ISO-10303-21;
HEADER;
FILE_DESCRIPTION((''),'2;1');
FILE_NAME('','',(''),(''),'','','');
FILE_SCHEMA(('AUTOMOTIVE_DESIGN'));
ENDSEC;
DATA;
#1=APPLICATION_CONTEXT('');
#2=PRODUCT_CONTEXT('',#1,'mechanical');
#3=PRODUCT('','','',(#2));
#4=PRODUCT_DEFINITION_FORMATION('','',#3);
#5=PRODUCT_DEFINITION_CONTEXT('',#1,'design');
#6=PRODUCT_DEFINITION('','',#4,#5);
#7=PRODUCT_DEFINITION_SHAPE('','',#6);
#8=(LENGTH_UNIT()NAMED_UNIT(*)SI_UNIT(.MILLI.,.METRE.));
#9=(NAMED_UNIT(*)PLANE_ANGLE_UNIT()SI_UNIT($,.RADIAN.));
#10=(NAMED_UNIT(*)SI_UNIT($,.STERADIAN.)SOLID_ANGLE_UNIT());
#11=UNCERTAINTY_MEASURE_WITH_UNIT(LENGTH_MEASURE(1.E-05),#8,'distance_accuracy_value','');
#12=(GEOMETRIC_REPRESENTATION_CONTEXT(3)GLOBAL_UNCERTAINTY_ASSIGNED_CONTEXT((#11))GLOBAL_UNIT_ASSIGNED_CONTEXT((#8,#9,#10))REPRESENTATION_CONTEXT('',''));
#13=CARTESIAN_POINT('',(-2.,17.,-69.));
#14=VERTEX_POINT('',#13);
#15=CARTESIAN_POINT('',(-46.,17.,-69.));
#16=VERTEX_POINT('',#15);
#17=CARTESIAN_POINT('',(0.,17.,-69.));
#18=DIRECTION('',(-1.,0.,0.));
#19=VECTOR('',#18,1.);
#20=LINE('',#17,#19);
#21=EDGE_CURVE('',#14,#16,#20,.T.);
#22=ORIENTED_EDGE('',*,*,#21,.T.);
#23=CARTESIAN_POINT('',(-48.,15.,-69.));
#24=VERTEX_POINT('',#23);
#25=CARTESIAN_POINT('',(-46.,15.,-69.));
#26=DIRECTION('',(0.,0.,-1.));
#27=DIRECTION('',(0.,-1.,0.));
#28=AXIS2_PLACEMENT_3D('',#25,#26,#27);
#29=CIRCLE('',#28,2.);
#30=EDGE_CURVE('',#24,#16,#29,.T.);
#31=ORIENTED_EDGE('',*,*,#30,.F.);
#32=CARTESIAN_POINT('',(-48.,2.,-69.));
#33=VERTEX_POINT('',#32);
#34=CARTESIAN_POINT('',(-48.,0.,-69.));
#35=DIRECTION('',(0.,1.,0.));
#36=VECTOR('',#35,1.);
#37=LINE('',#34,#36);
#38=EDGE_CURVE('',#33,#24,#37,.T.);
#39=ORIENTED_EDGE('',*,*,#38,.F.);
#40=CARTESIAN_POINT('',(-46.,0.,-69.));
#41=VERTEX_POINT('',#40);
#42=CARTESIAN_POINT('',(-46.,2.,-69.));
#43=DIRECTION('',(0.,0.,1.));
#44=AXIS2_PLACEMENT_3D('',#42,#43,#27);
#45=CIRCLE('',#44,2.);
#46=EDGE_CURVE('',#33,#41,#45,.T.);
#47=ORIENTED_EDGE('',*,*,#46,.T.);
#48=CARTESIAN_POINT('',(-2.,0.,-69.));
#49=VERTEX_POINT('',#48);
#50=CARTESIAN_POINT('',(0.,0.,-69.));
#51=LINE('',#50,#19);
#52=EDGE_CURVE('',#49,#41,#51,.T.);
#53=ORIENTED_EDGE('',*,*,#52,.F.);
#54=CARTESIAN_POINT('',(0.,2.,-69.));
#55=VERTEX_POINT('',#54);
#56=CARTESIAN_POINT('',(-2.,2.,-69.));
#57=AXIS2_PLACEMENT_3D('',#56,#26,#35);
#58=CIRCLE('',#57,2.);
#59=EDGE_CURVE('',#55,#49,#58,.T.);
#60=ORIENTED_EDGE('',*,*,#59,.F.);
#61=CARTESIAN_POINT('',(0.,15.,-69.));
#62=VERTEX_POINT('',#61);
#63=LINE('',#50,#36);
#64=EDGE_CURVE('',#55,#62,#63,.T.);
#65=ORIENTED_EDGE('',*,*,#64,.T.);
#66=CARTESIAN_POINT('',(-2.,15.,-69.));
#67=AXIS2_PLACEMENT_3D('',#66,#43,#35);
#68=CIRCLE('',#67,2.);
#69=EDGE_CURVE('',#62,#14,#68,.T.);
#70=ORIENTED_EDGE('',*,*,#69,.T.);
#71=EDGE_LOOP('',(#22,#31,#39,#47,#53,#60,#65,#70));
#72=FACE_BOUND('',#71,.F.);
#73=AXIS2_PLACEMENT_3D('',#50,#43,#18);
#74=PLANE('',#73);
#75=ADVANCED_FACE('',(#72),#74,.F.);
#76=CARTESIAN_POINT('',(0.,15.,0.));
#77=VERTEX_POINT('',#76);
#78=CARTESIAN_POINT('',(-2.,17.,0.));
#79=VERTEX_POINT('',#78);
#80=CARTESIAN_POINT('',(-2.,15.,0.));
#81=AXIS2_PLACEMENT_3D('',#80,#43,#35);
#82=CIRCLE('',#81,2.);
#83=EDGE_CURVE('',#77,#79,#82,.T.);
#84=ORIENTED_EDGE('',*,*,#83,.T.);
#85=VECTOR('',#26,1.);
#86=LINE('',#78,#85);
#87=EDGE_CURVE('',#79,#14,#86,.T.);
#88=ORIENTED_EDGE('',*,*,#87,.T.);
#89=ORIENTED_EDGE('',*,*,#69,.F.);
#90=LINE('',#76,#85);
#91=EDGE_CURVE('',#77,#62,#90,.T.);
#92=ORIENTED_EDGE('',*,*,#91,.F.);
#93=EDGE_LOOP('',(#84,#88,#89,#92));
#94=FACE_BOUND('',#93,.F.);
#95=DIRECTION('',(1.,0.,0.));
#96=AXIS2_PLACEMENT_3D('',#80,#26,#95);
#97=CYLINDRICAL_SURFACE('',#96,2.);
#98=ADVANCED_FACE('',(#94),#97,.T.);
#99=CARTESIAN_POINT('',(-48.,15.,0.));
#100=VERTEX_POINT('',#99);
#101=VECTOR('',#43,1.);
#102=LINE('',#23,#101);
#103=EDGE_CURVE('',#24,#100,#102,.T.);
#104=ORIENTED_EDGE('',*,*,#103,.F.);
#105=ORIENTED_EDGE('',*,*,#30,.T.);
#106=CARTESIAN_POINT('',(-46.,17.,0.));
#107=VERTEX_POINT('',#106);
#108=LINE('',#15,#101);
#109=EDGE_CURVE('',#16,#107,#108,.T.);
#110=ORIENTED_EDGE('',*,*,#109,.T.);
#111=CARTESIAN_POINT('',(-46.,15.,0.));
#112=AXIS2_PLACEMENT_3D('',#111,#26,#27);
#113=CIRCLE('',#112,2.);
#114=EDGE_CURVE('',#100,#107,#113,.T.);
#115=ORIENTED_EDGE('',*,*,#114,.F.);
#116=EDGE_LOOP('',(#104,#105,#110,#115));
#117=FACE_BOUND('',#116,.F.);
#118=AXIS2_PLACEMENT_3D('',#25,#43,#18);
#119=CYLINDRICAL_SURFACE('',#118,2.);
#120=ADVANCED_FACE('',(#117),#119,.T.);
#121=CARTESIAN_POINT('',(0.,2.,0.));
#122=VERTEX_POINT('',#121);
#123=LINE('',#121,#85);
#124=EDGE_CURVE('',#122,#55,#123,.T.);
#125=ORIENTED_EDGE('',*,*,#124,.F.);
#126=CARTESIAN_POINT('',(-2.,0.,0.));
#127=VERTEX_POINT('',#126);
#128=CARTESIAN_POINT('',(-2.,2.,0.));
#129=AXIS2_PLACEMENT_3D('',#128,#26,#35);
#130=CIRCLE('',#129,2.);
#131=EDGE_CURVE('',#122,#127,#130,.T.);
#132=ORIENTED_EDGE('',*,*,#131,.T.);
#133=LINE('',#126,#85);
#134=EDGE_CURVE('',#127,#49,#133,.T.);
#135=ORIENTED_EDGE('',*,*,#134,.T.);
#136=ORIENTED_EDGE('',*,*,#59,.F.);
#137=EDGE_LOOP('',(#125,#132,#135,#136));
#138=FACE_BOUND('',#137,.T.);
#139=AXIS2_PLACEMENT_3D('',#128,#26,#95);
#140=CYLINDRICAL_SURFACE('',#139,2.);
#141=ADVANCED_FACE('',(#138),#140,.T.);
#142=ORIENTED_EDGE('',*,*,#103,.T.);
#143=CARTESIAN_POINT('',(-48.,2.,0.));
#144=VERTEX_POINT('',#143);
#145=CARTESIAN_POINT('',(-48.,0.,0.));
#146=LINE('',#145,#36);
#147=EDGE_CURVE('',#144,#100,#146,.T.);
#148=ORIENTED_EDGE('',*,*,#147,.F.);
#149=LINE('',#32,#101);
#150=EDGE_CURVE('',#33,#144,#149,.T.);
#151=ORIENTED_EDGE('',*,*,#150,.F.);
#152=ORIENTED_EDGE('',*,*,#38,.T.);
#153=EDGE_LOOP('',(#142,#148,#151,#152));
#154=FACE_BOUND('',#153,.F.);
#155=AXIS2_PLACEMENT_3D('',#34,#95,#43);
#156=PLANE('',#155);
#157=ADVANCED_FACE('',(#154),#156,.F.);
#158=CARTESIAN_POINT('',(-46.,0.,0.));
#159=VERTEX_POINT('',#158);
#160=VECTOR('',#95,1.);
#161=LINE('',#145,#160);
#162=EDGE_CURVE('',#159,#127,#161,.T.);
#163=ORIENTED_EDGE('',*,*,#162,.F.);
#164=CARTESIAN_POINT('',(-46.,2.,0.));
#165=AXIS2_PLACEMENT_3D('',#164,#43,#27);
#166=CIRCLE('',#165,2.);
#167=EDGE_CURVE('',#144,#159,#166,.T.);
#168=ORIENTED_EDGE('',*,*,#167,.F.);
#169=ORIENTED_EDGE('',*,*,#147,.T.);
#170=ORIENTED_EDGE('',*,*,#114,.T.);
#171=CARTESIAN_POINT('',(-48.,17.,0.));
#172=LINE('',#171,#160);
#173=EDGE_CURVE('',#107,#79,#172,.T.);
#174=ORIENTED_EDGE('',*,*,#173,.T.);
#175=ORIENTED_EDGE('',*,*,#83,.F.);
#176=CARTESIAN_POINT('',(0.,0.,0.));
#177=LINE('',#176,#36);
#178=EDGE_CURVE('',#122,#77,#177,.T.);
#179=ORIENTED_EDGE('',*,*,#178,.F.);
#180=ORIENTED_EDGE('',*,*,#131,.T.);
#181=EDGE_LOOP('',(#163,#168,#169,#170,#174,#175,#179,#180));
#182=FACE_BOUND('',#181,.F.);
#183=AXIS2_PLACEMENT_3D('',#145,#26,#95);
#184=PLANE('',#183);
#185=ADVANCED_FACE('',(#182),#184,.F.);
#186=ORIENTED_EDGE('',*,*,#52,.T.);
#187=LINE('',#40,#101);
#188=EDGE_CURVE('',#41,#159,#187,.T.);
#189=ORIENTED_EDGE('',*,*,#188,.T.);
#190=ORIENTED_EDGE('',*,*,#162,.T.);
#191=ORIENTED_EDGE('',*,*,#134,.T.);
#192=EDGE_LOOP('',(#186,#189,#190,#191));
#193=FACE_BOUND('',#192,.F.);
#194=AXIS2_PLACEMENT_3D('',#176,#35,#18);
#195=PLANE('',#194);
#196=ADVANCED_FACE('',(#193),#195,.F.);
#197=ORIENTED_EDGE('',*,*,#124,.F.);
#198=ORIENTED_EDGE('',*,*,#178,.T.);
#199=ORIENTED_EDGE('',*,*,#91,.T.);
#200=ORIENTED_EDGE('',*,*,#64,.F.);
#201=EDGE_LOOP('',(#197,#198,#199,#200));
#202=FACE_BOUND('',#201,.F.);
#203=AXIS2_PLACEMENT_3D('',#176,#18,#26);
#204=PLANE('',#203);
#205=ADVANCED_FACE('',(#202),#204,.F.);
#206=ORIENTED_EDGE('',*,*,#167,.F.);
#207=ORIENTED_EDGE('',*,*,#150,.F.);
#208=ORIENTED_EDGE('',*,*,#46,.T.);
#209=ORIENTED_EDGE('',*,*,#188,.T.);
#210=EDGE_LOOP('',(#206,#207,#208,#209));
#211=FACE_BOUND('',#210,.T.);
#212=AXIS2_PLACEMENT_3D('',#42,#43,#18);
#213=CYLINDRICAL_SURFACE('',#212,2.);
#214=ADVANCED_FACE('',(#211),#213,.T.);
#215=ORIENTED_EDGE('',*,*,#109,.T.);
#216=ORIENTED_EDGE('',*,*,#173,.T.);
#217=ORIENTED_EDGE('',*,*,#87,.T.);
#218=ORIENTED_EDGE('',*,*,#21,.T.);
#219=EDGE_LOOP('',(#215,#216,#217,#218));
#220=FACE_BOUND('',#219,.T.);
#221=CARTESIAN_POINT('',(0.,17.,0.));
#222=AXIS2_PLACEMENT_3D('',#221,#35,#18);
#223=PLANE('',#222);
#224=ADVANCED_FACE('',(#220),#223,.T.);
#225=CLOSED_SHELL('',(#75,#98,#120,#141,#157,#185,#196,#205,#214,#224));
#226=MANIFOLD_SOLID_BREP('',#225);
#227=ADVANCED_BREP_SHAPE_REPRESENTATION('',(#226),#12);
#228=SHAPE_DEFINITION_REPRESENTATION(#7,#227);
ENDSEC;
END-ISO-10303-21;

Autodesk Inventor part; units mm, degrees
ref_plane "YZ Plane" through (0, 0, 0) normal (1, 0, 0) x (0, 1, 0)
ref_plane "XZ Plane" through (0, 0, 0) normal (0, 1, 0) x (-1, 0, 0)
ref_plane "XY Plane" through (0, 0, 0) normal (0, 0, 1) x (1, 0, 0)
sketch "Sketch1" plane through (0, 0, 0) normal (0, 1, 0) x (-1, 0, 0)
  line L0 (0, 0) -> (0, -69)
  line L1 (0, -69) -> (48, -69)
  line L2 (48, -69) -> (48, 0)
  line L3 (48, 0) -> (0, 0)
  dimension "d0" = 69
  dimension "d1" = 48
extrude "Extrusion1" add sketch "Sketch1" along normal blind 17
fillet "Fillet1" radius 2 4 edges at (0, 17, -34.5) (-48, 17, -34.5) (0, 0, -34.5) (-48, 0, -34.5)
properties part number "baterka"
